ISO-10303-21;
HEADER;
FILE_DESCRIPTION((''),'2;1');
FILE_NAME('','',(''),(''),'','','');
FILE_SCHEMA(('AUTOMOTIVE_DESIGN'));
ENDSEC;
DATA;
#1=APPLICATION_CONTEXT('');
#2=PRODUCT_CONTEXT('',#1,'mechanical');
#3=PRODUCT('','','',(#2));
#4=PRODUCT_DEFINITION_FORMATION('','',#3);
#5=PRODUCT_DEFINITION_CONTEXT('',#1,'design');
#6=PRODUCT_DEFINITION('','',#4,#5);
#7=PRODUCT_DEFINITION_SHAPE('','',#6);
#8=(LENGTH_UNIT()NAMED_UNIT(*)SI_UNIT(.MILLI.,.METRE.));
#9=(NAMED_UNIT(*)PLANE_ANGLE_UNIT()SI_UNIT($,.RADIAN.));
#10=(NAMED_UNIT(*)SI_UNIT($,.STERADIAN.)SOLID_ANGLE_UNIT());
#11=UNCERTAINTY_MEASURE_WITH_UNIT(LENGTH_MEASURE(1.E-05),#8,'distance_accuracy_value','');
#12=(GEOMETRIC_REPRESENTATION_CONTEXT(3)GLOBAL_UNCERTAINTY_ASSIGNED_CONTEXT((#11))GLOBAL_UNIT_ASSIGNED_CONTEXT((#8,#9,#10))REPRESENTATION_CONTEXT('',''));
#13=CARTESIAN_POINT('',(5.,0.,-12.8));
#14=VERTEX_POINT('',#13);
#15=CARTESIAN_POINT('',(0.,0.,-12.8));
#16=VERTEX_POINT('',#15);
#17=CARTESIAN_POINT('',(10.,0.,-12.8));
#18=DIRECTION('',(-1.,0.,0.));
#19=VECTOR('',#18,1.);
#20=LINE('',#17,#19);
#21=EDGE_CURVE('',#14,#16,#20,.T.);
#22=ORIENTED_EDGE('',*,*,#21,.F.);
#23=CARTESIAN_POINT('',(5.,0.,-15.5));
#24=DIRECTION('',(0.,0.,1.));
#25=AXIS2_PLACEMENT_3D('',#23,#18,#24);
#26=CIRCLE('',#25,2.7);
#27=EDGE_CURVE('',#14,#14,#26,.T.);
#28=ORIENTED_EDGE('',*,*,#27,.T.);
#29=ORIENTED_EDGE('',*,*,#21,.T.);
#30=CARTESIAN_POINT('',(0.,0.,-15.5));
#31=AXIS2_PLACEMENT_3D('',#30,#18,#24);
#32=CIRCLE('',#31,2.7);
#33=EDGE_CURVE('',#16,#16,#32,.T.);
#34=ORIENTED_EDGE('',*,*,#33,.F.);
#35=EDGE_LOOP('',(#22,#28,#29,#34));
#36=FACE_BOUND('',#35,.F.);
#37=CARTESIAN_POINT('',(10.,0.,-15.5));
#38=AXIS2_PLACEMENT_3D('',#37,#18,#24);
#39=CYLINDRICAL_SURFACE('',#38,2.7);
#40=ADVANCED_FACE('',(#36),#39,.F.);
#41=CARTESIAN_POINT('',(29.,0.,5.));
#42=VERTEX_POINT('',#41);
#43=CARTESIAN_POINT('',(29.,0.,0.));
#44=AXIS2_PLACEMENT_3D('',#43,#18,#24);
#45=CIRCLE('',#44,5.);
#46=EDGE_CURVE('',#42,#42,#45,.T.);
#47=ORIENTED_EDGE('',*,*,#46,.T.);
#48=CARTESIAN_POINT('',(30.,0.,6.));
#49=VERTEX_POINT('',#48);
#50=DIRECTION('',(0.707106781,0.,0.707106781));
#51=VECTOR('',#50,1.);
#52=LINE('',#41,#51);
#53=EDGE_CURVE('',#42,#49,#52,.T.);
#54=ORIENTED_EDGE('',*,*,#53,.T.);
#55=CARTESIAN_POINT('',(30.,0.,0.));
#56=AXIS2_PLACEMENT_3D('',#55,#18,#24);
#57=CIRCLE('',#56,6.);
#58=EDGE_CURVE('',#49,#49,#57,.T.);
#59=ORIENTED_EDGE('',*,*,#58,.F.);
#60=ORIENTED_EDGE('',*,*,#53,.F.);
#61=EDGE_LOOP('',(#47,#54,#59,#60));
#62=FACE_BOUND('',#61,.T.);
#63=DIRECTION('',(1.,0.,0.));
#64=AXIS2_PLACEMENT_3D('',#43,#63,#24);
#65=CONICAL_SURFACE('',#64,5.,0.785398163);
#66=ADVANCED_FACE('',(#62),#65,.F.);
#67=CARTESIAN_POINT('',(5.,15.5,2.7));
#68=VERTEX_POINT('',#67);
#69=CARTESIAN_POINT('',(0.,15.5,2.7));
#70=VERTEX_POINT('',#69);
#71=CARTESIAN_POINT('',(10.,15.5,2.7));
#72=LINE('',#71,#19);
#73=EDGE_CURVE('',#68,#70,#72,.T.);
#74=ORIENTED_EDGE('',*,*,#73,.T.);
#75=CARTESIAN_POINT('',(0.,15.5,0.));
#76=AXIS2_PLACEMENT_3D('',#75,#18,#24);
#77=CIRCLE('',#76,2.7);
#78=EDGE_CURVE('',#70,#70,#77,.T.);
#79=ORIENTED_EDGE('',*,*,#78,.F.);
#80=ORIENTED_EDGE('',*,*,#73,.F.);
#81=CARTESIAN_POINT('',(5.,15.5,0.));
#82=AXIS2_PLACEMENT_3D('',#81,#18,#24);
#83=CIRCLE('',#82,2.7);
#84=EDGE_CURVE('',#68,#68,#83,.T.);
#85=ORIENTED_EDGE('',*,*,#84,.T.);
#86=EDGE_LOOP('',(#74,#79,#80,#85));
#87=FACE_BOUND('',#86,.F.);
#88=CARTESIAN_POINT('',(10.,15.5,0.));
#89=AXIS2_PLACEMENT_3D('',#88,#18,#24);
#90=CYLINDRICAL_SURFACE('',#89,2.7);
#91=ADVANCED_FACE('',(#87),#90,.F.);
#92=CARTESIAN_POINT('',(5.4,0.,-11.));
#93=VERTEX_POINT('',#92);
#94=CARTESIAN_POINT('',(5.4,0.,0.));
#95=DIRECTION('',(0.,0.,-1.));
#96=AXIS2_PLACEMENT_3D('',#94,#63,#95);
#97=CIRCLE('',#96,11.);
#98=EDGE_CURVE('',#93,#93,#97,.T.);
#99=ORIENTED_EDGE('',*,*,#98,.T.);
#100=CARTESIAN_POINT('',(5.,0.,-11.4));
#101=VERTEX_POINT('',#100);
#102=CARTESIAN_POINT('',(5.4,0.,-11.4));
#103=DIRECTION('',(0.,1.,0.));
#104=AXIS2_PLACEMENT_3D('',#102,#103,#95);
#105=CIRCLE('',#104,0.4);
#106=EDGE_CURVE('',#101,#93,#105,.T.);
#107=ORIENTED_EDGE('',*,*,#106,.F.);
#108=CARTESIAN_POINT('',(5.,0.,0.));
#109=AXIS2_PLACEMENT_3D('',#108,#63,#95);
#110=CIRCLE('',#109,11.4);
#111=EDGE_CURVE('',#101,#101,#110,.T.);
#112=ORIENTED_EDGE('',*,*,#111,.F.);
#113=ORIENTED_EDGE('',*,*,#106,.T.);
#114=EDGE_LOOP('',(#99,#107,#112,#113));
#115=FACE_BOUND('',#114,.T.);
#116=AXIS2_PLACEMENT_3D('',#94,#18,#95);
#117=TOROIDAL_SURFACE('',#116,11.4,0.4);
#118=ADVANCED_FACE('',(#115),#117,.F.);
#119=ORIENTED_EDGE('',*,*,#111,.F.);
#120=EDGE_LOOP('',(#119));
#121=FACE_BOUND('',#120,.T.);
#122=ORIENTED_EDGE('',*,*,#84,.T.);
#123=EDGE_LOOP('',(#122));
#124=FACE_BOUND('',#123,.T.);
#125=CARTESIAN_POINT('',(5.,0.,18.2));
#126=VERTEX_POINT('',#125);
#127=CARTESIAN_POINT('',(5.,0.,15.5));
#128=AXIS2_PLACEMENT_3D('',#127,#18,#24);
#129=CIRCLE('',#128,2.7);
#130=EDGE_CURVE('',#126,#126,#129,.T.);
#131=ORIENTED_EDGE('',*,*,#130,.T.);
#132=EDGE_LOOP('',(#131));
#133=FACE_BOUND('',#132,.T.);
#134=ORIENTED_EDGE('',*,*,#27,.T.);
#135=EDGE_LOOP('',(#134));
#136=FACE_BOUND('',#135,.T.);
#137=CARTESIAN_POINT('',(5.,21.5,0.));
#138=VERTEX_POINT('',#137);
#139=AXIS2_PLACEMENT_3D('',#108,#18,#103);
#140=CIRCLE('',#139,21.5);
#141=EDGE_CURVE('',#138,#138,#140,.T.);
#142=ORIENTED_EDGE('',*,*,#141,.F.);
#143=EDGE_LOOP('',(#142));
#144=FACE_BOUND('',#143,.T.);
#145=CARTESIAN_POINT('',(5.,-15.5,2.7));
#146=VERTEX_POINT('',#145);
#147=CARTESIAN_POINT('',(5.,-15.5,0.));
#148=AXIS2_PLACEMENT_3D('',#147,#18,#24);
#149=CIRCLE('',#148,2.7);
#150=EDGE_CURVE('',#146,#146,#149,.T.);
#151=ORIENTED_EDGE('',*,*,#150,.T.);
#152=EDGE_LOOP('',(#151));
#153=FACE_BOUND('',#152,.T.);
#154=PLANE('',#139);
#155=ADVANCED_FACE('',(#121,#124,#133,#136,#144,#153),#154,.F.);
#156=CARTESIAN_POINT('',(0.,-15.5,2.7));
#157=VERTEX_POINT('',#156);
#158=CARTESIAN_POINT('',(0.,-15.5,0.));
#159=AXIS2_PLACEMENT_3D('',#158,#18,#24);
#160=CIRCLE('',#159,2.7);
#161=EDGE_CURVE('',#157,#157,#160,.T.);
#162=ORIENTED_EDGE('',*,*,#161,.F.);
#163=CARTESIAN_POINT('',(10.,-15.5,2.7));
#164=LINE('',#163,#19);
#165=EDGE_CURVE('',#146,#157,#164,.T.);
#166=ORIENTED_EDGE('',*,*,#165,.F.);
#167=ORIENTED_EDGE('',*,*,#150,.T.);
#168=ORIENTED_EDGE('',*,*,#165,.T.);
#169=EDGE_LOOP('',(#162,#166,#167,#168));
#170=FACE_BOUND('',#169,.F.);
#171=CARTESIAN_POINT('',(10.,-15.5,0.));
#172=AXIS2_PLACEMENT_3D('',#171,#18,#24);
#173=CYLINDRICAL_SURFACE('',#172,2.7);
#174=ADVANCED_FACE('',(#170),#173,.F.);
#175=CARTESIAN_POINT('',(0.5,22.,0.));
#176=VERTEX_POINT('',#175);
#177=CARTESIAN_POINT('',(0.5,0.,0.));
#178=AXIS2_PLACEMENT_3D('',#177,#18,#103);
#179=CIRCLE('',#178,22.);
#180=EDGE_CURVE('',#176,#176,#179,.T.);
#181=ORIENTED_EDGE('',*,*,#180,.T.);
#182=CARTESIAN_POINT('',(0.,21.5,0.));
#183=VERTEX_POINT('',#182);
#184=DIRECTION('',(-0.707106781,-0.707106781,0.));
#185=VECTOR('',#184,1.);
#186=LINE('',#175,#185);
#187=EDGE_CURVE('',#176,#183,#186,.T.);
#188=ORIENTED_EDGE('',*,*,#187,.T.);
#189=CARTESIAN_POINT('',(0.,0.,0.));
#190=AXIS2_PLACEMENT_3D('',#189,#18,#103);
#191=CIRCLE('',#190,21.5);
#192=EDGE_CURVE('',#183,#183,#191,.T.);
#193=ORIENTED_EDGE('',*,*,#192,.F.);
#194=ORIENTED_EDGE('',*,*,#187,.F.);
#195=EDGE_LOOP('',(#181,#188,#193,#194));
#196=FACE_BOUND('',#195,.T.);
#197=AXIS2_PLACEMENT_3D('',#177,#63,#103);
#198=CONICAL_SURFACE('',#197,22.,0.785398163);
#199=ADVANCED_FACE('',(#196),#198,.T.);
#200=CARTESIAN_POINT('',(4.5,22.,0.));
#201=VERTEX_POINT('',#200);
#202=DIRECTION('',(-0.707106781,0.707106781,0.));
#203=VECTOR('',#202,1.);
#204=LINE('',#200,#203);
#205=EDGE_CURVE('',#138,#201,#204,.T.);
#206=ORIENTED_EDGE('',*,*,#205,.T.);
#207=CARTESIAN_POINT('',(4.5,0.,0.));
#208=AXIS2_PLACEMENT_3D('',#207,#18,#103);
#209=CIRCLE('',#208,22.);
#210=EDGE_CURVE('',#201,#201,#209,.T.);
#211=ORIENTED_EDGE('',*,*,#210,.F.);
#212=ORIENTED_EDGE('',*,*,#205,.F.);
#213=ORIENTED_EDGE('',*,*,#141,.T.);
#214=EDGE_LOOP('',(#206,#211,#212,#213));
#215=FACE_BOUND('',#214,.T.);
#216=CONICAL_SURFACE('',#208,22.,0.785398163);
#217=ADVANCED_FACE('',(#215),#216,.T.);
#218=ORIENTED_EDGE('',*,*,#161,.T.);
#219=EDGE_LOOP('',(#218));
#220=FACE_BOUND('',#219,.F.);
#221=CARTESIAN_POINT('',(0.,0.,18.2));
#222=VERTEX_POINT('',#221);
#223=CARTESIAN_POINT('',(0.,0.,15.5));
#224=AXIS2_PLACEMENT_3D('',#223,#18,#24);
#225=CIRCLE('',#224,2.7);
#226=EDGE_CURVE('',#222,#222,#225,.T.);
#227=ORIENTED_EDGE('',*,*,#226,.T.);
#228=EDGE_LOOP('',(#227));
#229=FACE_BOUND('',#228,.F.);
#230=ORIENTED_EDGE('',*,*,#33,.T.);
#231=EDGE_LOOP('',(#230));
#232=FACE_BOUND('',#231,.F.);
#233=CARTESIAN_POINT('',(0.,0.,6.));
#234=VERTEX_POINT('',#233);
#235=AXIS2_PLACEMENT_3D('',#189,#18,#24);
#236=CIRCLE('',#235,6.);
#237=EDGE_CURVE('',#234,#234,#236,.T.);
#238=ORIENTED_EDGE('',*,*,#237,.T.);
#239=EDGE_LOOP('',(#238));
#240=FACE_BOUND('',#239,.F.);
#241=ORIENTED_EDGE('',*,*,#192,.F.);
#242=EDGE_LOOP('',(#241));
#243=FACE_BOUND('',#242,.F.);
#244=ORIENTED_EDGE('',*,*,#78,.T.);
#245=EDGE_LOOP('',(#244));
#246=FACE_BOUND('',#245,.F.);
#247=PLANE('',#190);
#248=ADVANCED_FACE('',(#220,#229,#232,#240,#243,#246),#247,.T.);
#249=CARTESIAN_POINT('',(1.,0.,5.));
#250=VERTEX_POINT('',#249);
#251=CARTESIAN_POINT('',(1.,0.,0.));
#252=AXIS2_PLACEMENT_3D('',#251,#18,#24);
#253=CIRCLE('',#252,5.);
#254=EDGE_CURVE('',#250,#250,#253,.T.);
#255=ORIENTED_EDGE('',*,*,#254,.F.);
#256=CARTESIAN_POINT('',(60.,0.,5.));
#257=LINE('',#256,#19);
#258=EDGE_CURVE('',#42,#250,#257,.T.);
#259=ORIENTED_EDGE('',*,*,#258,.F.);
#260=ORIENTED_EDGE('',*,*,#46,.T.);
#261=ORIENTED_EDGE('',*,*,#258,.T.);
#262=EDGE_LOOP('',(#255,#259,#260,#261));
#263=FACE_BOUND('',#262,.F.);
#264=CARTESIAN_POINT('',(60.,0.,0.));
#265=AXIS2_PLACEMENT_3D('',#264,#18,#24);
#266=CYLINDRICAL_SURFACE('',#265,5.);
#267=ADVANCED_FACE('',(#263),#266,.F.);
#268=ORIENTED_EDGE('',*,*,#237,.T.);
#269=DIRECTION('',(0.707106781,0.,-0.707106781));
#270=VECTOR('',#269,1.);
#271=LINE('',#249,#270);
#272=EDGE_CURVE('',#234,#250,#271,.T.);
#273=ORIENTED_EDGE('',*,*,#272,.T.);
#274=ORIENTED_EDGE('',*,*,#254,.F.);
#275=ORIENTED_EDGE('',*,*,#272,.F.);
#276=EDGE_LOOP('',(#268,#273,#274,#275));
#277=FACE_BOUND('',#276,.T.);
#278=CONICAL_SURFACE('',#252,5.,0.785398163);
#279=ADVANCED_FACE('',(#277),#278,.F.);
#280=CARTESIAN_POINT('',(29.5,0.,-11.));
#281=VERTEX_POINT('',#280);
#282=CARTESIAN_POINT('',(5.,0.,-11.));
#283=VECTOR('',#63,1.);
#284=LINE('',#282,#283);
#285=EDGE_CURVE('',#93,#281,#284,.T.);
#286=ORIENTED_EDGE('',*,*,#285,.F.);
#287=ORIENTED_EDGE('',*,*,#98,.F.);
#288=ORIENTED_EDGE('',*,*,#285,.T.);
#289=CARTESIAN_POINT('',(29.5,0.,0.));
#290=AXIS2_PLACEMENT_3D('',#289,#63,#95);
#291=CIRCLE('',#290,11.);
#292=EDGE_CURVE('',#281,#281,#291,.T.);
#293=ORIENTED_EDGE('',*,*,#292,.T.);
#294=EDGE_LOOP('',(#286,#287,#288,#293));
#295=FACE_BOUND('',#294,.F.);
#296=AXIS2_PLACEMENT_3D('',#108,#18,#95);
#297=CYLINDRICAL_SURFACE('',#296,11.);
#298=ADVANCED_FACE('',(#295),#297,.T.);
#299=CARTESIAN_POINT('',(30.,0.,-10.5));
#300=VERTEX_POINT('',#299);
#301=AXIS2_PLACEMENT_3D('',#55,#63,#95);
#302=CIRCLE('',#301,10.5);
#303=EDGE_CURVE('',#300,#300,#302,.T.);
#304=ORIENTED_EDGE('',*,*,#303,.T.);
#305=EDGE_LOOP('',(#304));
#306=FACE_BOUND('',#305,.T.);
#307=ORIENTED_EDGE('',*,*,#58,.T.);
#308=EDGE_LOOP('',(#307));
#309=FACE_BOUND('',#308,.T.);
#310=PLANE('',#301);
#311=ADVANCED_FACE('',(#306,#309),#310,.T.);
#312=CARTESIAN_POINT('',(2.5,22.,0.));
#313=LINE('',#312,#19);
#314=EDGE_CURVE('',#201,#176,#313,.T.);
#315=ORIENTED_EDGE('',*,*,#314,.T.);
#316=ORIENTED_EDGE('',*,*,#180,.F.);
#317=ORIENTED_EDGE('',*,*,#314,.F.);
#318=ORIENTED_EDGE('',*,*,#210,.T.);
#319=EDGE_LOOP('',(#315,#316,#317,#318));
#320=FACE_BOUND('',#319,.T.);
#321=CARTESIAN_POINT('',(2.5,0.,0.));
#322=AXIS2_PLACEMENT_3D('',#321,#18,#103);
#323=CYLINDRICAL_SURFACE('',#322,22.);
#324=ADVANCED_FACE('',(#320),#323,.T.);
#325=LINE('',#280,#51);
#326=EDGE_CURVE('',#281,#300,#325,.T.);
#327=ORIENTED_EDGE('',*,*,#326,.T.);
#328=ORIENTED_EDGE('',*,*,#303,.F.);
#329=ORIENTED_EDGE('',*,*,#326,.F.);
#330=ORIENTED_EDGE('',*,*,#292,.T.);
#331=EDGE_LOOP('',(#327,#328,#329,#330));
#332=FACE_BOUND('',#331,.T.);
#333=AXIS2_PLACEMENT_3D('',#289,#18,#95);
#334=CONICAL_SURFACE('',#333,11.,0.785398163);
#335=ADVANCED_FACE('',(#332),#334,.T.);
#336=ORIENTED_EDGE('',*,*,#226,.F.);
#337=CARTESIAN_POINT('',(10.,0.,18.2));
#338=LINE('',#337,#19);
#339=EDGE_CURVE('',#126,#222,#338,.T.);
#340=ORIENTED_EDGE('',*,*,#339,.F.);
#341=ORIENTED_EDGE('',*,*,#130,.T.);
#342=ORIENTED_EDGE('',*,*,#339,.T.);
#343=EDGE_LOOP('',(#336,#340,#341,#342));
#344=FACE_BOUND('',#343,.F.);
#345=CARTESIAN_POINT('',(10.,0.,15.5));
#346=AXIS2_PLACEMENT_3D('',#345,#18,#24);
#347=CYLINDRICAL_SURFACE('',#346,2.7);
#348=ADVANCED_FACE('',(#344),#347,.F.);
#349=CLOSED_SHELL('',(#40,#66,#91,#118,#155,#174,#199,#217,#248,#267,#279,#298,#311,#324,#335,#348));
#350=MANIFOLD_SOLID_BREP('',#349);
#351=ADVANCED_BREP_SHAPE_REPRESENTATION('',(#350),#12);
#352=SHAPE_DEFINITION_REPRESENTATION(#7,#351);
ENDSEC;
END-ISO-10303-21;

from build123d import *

# Parameters (mm, degrees)
SKETCH1_W      = 5
SKETCH1_H      = 22
SKETCH2_R      = 11
EXTRUDE1_DEPTH = 25
HOLEWZD1_D     = 5.4
HOLEWZD1_DEPTH = 5
HOLEWZD2_D     = 10
HOLEWZD2_DEPTH = 30
CHAMFER1_SIZE  = 0.5
CHAMFER2_SIZE  = 1
FILLET1_R      = 0.4


with BuildPart() as part:
    # Sketch1 → Revolve1 (revolve)
    with BuildSketch(Plane(origin=(0, 0, 0), x_dir=(-1, 0, 0), z_dir=(0, 0, -1))):
        with Locations((-2.5, 11)):
            Rectangle(SKETCH1_W, SKETCH1_H)
    revolve(axis=Axis((5, 0, 0), (-1, 0, 0)))

    # Sketch2 → Extrude1 (add)
    with BuildSketch(Plane(origin=(5, 0, 0), x_dir=(0, 0, -1), z_dir=(1, 0, 0))):
        Circle(SKETCH2_R)
    extrude(amount=EXTRUDE1_DEPTH)

    # HoleWzd1
    with Locations(Plane(origin=(5, 0, 0), x_dir=(0, 0, -1), z_dir=(1, 0, 0))):
        with Locations((0, -15.5), (15.5, 0), (-15.5, 0), (0, 15.5)):
            Hole(HOLEWZD1_D / 2, depth=HOLEWZD1_DEPTH)

    # HoleWzd2
    with Locations(Plane(origin=(30, 0, 0), x_dir=(0, 0, -1), z_dir=(1, 0, 0))):
        with Locations((0, 0)):
            Hole(HOLEWZD2_D / 2, depth=HOLEWZD2_DEPTH)

    # Chamfer1
    chamfer1_edges = [part.edges().sort_by_distance(p)[0] for p in [
        (0, -22, 0),
        (5, -22, 0),
        (30, 0, 11),
    ]]
    chamfer(chamfer1_edges, length=CHAMFER1_SIZE)

    # Chamfer2
    chamfer2_edges = [part.edges().sort_by_distance(p)[0] for p in [
        (30, 0, -5),
        (0, 0, -5),
    ]]
    chamfer(chamfer2_edges, length=CHAMFER2_SIZE)

    # Fillet1
    fillet1_edges = [part.edges().sort_by_distance(p)[0] for p in [
        (5, 0, 11),
    ]]
    fillet(fillet1_edges, radius=FILLET1_R)


solid = part.part
